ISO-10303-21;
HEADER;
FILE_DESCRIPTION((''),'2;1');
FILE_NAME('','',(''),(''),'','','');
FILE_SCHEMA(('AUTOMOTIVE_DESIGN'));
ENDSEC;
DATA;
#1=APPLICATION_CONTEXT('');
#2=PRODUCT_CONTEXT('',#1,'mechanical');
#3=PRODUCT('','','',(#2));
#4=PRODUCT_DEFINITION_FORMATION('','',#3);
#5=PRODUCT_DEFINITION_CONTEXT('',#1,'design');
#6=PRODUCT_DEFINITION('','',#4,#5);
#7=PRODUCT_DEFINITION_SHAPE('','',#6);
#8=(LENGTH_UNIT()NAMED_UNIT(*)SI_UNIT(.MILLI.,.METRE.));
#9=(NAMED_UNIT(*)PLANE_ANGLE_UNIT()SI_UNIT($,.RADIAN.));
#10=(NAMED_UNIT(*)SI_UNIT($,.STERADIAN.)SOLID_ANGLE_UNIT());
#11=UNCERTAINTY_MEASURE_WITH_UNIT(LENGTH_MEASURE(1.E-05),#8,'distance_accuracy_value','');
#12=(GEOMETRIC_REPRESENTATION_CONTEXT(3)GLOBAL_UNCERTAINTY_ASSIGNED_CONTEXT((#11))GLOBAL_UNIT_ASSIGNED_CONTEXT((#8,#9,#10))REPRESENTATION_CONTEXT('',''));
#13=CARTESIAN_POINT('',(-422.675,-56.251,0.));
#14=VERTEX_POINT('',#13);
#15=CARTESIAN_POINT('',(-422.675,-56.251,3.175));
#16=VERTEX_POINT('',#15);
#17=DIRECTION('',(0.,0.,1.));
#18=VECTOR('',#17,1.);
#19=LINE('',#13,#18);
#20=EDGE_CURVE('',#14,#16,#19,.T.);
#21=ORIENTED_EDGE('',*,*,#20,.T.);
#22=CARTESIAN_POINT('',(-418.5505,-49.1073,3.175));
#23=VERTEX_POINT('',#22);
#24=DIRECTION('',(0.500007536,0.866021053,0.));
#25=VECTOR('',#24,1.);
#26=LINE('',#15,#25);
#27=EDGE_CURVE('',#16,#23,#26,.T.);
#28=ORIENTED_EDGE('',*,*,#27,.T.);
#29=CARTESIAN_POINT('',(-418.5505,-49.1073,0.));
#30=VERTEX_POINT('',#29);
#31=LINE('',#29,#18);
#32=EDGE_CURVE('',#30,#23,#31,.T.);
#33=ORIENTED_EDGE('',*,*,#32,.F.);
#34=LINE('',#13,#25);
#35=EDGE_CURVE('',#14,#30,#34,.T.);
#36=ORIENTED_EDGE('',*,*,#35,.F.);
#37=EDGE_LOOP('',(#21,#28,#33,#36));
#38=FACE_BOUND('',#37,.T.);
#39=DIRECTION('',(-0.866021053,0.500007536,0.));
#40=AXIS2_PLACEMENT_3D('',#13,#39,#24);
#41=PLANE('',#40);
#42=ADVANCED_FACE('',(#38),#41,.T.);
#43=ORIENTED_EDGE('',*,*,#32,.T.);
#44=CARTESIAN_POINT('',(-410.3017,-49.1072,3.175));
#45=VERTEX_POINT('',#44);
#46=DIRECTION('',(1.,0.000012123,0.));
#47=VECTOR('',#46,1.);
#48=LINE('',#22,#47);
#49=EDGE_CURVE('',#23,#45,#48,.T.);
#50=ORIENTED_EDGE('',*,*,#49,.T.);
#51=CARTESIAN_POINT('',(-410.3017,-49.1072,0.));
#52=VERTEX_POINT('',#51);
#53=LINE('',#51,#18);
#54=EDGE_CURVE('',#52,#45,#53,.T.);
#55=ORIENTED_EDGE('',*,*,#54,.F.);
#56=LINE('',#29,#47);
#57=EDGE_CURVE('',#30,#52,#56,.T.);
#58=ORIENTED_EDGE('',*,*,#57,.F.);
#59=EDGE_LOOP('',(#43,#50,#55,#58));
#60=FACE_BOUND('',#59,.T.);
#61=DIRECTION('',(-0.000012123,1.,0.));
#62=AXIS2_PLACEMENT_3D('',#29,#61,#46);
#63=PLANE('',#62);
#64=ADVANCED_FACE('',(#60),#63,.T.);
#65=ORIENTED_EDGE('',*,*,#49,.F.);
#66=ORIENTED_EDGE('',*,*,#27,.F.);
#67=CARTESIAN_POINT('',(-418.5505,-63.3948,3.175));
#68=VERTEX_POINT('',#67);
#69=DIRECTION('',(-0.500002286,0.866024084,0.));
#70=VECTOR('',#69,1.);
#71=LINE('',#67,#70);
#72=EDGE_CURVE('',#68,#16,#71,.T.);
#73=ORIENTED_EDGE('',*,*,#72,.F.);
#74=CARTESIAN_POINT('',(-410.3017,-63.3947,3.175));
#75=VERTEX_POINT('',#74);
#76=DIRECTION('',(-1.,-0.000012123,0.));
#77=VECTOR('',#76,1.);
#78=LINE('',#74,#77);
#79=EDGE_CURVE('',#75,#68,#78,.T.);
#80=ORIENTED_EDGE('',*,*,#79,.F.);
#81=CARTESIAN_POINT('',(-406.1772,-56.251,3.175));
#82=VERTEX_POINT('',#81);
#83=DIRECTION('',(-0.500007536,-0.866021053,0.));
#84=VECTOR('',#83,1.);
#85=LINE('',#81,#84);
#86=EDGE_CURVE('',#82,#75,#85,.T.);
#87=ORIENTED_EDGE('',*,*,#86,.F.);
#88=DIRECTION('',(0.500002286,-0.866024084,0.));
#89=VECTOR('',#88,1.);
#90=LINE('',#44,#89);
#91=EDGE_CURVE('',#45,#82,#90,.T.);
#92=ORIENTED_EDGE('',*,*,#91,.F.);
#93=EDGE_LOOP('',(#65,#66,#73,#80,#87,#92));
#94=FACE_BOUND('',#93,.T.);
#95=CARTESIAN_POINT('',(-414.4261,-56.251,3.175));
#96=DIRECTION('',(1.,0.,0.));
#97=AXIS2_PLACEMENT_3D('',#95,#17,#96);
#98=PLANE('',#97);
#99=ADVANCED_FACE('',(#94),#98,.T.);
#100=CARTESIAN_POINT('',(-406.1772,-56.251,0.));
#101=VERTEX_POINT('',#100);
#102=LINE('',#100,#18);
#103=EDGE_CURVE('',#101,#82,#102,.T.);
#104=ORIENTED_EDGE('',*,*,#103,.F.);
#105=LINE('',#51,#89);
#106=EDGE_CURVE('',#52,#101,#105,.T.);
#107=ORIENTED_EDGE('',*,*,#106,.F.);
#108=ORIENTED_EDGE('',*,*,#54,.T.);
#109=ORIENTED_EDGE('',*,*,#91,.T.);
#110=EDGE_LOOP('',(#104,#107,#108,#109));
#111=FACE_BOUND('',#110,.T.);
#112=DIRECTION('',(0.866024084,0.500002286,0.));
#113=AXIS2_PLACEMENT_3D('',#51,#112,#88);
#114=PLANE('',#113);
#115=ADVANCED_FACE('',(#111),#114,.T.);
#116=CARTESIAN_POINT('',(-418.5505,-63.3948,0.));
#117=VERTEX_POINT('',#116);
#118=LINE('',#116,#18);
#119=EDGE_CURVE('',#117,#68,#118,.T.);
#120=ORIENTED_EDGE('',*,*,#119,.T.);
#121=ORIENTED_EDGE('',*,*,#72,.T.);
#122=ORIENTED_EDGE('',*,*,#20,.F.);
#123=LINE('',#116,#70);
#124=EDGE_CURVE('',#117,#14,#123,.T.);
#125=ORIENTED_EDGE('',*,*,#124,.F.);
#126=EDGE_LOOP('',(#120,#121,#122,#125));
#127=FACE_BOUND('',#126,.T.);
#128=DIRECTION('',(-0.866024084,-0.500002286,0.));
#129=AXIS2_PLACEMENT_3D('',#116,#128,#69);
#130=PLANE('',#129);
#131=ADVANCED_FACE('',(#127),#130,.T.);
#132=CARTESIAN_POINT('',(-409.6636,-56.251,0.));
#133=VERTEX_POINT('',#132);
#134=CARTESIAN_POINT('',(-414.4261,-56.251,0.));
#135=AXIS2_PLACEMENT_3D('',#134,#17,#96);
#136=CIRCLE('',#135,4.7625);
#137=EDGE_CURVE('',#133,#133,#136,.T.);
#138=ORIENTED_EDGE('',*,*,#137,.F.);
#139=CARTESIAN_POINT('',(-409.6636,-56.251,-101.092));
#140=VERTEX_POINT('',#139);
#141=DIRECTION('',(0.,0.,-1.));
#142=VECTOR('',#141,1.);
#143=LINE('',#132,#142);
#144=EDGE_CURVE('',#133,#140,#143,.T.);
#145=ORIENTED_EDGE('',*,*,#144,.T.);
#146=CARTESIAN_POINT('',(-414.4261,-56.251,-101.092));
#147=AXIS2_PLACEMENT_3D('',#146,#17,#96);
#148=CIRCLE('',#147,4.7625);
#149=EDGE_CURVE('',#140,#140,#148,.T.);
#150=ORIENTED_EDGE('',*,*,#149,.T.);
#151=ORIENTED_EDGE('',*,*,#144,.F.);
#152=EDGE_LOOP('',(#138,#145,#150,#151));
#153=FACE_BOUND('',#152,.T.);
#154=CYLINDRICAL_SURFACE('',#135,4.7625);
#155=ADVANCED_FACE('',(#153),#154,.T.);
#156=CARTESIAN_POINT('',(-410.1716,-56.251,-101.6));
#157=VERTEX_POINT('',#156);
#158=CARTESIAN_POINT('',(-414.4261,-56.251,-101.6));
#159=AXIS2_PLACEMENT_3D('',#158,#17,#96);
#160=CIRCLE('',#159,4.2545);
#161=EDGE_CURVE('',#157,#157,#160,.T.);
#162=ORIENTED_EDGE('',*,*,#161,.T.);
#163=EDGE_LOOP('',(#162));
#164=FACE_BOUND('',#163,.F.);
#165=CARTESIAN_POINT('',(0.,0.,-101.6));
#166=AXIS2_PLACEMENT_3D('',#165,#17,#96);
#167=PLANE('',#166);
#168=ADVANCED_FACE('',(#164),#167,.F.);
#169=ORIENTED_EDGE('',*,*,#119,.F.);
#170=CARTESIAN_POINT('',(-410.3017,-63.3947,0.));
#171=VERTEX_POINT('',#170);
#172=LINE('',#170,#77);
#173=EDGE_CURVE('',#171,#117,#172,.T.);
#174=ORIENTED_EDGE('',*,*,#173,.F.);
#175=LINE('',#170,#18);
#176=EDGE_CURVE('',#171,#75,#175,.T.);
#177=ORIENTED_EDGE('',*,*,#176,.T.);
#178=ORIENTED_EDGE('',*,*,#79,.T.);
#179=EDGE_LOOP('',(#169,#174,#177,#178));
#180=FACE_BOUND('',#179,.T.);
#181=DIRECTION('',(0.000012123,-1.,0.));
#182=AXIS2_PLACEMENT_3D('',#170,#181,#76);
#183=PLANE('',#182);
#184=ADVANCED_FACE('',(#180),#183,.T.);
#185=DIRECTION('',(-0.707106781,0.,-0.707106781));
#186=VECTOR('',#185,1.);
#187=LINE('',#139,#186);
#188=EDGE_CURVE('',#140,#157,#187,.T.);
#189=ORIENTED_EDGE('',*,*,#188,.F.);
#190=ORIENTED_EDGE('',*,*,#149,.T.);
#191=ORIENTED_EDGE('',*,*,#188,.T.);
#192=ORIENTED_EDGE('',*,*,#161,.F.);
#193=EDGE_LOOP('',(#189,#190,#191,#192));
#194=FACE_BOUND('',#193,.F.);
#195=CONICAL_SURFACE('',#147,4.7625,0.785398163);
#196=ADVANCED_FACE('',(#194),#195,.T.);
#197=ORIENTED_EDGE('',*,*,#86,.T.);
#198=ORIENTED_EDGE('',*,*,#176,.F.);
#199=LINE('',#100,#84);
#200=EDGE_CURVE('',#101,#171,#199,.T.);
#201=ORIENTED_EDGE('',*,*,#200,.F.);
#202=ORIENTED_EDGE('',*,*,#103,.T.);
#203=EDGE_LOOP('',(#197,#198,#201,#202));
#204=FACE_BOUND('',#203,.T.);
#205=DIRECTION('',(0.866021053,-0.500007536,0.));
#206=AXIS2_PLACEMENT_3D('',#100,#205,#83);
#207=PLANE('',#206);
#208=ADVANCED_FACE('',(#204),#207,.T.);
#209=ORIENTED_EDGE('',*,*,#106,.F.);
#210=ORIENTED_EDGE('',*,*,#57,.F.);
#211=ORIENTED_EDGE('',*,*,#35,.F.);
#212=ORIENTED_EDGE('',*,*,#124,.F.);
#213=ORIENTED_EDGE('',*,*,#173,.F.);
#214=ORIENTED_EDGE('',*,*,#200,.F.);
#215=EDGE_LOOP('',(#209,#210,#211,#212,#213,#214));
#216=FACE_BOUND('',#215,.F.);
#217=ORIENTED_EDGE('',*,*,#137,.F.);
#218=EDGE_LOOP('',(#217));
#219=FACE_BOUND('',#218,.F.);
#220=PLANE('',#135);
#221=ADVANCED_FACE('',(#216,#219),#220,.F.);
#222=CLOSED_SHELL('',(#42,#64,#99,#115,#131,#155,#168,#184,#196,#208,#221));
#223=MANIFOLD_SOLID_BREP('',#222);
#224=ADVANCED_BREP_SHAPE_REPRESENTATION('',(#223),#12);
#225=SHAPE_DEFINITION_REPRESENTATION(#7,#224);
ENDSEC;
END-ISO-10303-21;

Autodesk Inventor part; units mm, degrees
ref_plane "YZ Plane" through (0, 0, 0) normal (1, 0, 0) x (0, 1, 0)
ref_plane "XZ Plane" through (0, 0, 0) normal (0, 1, 0) x (-1, 0, 0)
ref_plane "XY Plane" through (0, 0, 0) normal (0, 0, 1) x (1, 0, 0)
sketch "Sketch1" plane through (0, 0, 0) normal (0, 0, 1) x (1, 0, 0)
  circle A0 centre (-414.4261, -56.251) radius 4.7625
  point P0 (0, 0)
  dimension "d0" = 9.525
extrude "Extrusion1" add sketch "Sketch1" against normal blind 101.6
sketch "Sketch2" plane through (-414.4261, -56.251, 0) normal (0, 0, 1) x (1, 0, 0)
  circle A0 centre (0, 0) radius 4.7625 projected
  line L0 (-8.2489, 0) -> (-4.1244, 7.1437)
  line L1 (-4.1244, 7.1437) -> (4.1244, 7.1438)
  line L2 (4.1244, 7.1438) -> (8.2489, 0)
  line L3 (8.2489, 0) -> (4.1244, -7.1437)
  line L4 (4.1244, -7.1437) -> (-4.1244, -7.1438)
  line L5 (-4.1244, -7.1438) -> (-8.2489, 0)
  point P0 (414.4261, 56.251)
  dimension "d3" = 14.2875
extrude "Extrusion2" add sketch "Sketch2" along normal blind 3.175 contours A0 | L0 L1 L2 L3 L4 L5
thread "Thread1" size "3/8-16 UNC" class "2A" standard "ANSI Unified Screw Threads" length 25.4
chamfer "Chamfer1" distance 0.508 angle 45 1 edges at (-419.1886, -56.251, -101.6)
properties part number "375 bolt x4" material "Steel"
